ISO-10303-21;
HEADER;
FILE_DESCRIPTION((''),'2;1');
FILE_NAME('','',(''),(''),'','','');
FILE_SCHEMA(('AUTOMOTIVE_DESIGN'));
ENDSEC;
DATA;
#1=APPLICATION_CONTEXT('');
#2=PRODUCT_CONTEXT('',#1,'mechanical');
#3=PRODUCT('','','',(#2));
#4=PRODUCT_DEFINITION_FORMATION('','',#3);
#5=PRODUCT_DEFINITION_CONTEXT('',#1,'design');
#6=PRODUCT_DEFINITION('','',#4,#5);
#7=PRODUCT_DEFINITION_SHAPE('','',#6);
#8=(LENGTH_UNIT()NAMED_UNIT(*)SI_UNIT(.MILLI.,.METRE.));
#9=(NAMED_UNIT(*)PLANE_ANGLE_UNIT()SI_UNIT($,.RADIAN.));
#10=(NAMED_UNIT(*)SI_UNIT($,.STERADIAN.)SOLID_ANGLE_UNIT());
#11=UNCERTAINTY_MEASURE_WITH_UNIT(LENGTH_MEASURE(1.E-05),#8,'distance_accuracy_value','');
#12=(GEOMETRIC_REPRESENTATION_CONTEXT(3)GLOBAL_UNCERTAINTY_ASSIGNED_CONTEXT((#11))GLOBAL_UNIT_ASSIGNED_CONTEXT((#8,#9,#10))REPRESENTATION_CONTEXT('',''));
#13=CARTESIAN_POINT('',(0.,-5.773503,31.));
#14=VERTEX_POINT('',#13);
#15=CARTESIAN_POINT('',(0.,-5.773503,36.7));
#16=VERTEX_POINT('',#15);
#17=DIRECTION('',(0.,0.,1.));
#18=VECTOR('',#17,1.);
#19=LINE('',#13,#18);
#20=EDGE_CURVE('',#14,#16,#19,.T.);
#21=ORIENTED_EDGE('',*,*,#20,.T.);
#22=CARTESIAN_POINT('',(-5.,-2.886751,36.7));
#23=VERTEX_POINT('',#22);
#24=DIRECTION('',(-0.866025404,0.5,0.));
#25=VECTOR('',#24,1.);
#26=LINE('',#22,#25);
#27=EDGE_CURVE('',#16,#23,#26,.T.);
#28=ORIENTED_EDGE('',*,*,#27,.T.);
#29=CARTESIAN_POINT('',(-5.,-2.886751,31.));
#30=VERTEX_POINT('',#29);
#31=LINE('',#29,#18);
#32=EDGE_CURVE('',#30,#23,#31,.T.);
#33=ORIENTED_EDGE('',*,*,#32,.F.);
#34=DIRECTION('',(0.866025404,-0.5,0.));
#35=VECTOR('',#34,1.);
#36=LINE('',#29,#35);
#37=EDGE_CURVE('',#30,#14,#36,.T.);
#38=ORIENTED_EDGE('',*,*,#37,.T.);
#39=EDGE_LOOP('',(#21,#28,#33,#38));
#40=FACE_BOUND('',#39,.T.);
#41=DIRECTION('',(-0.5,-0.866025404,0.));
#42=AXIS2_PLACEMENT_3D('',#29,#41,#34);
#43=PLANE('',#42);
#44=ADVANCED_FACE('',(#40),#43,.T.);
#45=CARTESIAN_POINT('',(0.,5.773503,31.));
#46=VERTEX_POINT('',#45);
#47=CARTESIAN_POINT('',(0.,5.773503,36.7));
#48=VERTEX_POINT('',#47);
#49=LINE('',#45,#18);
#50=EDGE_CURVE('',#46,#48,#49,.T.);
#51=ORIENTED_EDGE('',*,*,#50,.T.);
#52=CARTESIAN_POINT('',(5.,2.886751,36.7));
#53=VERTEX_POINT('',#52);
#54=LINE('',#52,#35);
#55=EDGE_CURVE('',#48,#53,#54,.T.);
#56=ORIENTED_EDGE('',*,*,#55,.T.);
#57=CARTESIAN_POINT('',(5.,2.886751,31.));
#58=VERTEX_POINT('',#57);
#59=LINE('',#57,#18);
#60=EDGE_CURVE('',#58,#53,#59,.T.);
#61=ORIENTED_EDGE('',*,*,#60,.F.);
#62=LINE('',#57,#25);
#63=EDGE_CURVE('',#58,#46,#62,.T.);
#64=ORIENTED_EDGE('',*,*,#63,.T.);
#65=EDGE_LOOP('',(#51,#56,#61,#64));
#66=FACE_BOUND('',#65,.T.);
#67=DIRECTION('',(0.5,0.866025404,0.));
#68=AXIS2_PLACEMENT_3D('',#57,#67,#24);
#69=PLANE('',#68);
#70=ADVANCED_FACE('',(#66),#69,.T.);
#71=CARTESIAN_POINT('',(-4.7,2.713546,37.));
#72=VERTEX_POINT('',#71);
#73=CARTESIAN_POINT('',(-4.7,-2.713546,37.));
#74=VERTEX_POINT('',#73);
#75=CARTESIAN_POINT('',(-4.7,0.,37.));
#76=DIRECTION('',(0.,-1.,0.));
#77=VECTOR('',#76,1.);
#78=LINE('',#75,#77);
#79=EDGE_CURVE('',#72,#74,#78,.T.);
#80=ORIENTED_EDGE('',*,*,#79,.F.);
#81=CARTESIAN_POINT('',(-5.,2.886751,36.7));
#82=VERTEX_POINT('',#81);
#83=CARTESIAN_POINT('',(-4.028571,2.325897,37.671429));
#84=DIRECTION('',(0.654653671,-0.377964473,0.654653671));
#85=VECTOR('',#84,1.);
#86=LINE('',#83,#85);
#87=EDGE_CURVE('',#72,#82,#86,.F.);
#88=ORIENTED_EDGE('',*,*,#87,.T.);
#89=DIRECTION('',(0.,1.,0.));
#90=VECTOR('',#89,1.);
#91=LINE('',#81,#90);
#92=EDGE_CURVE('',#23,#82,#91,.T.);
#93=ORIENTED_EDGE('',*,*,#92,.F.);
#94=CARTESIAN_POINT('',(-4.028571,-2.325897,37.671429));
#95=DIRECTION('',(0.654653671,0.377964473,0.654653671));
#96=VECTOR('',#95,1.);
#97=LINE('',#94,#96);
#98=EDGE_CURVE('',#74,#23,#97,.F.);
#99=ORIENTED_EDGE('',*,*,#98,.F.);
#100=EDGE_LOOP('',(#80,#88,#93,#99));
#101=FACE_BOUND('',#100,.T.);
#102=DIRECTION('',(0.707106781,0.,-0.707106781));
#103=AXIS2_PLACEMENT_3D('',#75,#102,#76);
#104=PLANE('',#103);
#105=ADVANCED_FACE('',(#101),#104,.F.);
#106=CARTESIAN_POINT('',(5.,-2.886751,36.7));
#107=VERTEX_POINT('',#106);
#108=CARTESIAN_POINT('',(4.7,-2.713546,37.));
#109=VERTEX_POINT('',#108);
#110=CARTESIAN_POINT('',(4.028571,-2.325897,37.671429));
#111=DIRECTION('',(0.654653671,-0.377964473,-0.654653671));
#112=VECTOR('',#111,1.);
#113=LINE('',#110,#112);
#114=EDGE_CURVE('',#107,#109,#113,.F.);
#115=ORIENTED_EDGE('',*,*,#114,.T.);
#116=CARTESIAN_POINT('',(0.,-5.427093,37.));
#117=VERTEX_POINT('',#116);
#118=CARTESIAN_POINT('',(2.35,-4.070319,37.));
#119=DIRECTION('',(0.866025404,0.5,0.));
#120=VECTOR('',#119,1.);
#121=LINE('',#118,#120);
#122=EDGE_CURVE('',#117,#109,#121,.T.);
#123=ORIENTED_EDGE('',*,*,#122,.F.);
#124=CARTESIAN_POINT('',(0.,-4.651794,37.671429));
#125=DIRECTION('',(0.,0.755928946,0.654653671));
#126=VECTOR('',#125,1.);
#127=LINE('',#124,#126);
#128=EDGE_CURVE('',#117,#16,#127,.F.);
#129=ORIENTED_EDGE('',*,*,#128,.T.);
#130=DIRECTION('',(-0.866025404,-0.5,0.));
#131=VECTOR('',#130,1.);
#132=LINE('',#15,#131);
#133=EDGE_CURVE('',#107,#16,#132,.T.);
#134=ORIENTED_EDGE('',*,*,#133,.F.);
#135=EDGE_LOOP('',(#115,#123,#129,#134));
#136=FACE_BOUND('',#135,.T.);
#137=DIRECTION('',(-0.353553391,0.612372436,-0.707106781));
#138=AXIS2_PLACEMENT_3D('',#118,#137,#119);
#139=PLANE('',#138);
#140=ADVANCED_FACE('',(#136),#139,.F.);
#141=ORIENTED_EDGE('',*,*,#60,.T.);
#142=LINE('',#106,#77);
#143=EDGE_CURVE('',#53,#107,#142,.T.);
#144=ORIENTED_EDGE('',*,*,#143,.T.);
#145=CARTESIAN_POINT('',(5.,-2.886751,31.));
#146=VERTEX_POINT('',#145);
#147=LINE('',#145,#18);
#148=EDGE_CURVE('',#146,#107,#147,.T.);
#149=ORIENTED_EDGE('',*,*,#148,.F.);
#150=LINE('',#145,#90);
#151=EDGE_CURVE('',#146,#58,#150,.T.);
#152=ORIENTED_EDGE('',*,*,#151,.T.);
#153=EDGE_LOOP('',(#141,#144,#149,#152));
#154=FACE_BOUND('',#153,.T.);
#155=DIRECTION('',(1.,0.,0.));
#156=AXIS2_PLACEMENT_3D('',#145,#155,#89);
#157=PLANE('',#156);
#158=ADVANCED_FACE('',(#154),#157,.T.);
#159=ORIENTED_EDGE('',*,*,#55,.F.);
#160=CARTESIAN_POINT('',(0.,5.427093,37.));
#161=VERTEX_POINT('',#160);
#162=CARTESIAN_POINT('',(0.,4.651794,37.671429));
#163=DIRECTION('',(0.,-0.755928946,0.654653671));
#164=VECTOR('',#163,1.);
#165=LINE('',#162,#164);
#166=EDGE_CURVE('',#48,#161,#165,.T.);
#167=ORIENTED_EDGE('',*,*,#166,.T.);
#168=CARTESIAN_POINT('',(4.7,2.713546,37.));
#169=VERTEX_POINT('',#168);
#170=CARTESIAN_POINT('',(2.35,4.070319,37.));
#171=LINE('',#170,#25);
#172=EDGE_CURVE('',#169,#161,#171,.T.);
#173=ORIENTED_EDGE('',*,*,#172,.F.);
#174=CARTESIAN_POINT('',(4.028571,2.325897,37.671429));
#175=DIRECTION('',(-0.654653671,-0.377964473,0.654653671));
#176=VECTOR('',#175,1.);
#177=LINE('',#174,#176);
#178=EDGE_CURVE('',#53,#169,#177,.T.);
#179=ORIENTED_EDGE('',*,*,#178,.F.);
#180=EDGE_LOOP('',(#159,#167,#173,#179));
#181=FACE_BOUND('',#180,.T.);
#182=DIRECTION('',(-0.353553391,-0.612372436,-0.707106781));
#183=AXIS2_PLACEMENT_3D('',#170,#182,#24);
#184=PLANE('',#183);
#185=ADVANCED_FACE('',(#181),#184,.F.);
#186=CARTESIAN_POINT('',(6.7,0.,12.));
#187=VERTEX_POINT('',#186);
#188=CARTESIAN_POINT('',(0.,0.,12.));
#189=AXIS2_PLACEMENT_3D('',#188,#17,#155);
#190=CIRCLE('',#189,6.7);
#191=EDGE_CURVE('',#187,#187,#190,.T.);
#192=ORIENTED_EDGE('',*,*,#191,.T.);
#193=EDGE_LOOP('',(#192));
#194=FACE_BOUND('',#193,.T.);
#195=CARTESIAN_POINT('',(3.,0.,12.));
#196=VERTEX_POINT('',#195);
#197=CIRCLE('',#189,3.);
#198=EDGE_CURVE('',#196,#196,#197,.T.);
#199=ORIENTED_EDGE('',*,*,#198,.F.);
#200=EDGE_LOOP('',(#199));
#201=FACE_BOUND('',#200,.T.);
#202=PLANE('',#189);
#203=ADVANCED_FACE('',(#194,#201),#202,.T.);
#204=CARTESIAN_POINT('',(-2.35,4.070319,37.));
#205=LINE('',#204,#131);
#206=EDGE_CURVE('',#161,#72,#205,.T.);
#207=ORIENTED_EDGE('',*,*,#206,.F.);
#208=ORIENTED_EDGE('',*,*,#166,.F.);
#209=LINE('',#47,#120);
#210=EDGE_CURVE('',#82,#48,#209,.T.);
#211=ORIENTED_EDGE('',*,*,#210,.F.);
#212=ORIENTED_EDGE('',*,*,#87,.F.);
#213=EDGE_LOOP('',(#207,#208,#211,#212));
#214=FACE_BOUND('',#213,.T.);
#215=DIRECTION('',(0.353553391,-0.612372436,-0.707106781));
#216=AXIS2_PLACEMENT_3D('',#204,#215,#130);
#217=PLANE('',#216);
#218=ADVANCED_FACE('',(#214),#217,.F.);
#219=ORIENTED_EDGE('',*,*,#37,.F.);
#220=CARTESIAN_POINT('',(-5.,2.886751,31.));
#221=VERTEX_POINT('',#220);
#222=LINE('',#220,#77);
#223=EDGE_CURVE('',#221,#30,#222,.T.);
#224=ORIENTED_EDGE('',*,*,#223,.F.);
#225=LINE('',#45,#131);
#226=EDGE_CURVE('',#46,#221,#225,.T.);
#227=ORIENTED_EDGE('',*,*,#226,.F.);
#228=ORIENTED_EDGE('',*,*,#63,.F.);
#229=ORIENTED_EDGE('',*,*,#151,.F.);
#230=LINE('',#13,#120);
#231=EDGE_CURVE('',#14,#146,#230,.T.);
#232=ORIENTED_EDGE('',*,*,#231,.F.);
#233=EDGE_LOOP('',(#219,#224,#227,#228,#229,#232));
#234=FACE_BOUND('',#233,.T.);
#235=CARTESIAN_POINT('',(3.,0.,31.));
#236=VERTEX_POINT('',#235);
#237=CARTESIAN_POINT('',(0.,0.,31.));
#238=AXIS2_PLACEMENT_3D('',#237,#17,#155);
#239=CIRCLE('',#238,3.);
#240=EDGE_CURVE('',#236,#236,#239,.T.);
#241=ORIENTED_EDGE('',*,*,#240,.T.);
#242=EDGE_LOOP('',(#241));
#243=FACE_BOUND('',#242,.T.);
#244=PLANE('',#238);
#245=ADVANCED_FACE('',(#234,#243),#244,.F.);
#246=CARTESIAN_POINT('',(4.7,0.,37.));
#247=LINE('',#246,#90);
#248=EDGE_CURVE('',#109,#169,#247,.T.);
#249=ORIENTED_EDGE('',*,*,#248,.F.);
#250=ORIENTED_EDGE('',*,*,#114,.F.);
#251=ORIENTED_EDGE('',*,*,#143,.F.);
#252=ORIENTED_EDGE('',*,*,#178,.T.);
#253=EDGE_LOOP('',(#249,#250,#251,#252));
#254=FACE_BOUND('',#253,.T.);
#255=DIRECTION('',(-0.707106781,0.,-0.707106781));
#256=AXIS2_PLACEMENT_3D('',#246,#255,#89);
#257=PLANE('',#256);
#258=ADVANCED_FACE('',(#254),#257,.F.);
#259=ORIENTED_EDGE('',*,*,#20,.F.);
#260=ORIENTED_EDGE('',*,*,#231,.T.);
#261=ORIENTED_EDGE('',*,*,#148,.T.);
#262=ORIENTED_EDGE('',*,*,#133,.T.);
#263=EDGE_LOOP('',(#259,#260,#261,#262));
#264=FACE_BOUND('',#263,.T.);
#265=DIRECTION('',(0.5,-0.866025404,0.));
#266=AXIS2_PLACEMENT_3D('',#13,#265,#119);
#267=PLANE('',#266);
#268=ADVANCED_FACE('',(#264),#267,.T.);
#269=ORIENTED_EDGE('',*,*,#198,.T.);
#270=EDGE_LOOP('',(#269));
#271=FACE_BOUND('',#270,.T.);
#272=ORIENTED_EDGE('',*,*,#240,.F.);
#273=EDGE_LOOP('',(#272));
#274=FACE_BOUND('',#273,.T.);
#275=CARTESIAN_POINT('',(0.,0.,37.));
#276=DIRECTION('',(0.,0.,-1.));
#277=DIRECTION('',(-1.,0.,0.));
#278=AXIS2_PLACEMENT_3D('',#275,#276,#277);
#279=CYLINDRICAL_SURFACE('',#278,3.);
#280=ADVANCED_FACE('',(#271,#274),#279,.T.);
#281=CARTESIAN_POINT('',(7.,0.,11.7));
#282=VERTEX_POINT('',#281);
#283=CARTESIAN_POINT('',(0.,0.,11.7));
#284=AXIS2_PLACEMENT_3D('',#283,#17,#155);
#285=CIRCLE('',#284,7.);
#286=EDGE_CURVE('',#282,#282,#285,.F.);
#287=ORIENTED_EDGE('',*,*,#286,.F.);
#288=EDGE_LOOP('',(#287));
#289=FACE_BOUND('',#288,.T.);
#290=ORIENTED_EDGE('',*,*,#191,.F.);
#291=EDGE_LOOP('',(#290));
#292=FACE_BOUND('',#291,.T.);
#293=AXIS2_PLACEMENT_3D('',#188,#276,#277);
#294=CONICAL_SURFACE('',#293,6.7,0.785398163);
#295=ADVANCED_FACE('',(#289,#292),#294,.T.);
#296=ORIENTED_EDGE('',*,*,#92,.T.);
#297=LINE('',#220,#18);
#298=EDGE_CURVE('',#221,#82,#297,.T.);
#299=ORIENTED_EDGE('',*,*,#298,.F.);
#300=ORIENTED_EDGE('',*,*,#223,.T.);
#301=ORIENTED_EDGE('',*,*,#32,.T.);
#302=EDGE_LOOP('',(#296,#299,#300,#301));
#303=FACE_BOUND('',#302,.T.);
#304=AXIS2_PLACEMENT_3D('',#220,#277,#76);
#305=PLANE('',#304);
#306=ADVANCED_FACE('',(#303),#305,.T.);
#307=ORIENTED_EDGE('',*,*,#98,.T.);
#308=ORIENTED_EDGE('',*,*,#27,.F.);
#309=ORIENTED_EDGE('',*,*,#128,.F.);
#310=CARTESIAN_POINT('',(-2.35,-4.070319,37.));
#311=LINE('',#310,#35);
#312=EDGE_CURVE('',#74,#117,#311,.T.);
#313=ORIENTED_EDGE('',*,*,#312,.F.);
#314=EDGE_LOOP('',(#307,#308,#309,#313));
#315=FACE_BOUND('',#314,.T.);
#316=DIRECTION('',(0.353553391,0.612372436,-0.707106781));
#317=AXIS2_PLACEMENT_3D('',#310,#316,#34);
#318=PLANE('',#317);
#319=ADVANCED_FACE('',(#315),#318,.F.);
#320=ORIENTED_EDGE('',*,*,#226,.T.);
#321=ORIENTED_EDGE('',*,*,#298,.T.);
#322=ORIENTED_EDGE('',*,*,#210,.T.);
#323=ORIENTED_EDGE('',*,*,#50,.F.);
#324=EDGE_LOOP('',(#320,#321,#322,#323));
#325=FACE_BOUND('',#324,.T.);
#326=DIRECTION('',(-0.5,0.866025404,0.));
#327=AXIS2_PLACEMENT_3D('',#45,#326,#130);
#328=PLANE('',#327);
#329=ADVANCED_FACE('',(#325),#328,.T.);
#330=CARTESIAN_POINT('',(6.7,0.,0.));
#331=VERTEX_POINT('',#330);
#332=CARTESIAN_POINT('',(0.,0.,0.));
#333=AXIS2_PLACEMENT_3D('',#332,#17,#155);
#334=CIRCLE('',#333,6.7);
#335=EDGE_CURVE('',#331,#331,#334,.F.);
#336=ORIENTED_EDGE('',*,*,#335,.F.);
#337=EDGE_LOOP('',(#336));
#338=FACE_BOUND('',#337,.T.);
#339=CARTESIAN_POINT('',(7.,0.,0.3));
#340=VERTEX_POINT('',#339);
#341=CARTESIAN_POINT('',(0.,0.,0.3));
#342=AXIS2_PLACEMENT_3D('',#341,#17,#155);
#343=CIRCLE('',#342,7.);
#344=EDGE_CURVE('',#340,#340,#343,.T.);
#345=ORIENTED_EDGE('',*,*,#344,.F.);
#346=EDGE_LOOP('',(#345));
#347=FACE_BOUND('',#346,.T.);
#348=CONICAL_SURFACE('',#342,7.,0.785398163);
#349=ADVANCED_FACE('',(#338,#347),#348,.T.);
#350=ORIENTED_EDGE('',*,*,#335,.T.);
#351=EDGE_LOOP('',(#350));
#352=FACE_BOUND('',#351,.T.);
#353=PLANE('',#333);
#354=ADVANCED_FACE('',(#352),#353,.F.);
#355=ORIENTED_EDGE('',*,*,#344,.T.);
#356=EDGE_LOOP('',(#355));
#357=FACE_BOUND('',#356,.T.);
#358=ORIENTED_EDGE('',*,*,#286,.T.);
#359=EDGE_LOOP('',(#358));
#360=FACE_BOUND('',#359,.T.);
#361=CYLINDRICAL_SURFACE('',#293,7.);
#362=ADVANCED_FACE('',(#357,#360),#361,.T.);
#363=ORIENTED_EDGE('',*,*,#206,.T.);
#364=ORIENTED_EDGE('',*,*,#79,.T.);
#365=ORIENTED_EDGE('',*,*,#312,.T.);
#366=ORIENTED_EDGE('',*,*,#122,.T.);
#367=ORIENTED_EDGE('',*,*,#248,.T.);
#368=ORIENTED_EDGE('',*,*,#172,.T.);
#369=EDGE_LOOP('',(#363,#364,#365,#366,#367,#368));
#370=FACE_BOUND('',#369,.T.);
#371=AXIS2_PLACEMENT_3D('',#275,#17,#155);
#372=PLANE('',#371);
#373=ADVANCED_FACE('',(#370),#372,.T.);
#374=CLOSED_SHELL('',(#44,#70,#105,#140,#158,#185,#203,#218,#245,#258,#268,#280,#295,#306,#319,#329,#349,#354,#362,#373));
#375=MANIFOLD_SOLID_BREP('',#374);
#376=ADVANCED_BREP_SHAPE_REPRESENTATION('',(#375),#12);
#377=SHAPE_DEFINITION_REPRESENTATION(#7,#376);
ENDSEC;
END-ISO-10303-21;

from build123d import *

# Parameters (mm, degrees)
SKETCH_1_R      = 7
EXTRUDE_1_DEPTH = 12
SKETCH_2_R      = 3
EXTRUDE_2_DEPTH = 25
EXTRUDE_3_DEPTH = 6
CHAMFER_1_SIZE  = 0.3


with BuildPart() as part:
    # 草图1 → 凸台-拉伸1 (new body)
    with BuildSketch(Plane.XY):
        Circle(SKETCH_1_R)
    extrude(amount=EXTRUDE_1_DEPTH)

    # 草图2 → 凸台-拉伸2 (add)
    with BuildSketch(Plane.XY.offset(12)):
        Circle(SKETCH_2_R)
    extrude(amount=EXTRUDE_2_DEPTH)

    # 草图3 → 凸台-拉伸3 (add)
    with BuildSketch(Plane.XY.offset(37)):
        Polygon((5, 2.886751346), (0, 5.773502692), (-5, 2.886751346), (-5, -2.886751346), (0, -5.773502692), (5, -2.886751346), align=None)
    extrude(amount=-EXTRUDE_3_DEPTH)

    # 倒角1
    chamfer_1_edges = [part.edges().sort_by_distance(p)[0] for p in [
        (5, 0, 37),
        (2.5, 4.330127019, 37),
        (-2.5, 4.330127019, 37),
        (-5, 0, 37),
        (-2.5, -4.330127019, 37),
        (2.5, -4.330127019, 37),
        (-7, 0, 0),
        (-7, 0, 12),
    ]]
    chamfer(chamfer_1_edges, length=CHAMFER_1_SIZE)


solid = part.part
